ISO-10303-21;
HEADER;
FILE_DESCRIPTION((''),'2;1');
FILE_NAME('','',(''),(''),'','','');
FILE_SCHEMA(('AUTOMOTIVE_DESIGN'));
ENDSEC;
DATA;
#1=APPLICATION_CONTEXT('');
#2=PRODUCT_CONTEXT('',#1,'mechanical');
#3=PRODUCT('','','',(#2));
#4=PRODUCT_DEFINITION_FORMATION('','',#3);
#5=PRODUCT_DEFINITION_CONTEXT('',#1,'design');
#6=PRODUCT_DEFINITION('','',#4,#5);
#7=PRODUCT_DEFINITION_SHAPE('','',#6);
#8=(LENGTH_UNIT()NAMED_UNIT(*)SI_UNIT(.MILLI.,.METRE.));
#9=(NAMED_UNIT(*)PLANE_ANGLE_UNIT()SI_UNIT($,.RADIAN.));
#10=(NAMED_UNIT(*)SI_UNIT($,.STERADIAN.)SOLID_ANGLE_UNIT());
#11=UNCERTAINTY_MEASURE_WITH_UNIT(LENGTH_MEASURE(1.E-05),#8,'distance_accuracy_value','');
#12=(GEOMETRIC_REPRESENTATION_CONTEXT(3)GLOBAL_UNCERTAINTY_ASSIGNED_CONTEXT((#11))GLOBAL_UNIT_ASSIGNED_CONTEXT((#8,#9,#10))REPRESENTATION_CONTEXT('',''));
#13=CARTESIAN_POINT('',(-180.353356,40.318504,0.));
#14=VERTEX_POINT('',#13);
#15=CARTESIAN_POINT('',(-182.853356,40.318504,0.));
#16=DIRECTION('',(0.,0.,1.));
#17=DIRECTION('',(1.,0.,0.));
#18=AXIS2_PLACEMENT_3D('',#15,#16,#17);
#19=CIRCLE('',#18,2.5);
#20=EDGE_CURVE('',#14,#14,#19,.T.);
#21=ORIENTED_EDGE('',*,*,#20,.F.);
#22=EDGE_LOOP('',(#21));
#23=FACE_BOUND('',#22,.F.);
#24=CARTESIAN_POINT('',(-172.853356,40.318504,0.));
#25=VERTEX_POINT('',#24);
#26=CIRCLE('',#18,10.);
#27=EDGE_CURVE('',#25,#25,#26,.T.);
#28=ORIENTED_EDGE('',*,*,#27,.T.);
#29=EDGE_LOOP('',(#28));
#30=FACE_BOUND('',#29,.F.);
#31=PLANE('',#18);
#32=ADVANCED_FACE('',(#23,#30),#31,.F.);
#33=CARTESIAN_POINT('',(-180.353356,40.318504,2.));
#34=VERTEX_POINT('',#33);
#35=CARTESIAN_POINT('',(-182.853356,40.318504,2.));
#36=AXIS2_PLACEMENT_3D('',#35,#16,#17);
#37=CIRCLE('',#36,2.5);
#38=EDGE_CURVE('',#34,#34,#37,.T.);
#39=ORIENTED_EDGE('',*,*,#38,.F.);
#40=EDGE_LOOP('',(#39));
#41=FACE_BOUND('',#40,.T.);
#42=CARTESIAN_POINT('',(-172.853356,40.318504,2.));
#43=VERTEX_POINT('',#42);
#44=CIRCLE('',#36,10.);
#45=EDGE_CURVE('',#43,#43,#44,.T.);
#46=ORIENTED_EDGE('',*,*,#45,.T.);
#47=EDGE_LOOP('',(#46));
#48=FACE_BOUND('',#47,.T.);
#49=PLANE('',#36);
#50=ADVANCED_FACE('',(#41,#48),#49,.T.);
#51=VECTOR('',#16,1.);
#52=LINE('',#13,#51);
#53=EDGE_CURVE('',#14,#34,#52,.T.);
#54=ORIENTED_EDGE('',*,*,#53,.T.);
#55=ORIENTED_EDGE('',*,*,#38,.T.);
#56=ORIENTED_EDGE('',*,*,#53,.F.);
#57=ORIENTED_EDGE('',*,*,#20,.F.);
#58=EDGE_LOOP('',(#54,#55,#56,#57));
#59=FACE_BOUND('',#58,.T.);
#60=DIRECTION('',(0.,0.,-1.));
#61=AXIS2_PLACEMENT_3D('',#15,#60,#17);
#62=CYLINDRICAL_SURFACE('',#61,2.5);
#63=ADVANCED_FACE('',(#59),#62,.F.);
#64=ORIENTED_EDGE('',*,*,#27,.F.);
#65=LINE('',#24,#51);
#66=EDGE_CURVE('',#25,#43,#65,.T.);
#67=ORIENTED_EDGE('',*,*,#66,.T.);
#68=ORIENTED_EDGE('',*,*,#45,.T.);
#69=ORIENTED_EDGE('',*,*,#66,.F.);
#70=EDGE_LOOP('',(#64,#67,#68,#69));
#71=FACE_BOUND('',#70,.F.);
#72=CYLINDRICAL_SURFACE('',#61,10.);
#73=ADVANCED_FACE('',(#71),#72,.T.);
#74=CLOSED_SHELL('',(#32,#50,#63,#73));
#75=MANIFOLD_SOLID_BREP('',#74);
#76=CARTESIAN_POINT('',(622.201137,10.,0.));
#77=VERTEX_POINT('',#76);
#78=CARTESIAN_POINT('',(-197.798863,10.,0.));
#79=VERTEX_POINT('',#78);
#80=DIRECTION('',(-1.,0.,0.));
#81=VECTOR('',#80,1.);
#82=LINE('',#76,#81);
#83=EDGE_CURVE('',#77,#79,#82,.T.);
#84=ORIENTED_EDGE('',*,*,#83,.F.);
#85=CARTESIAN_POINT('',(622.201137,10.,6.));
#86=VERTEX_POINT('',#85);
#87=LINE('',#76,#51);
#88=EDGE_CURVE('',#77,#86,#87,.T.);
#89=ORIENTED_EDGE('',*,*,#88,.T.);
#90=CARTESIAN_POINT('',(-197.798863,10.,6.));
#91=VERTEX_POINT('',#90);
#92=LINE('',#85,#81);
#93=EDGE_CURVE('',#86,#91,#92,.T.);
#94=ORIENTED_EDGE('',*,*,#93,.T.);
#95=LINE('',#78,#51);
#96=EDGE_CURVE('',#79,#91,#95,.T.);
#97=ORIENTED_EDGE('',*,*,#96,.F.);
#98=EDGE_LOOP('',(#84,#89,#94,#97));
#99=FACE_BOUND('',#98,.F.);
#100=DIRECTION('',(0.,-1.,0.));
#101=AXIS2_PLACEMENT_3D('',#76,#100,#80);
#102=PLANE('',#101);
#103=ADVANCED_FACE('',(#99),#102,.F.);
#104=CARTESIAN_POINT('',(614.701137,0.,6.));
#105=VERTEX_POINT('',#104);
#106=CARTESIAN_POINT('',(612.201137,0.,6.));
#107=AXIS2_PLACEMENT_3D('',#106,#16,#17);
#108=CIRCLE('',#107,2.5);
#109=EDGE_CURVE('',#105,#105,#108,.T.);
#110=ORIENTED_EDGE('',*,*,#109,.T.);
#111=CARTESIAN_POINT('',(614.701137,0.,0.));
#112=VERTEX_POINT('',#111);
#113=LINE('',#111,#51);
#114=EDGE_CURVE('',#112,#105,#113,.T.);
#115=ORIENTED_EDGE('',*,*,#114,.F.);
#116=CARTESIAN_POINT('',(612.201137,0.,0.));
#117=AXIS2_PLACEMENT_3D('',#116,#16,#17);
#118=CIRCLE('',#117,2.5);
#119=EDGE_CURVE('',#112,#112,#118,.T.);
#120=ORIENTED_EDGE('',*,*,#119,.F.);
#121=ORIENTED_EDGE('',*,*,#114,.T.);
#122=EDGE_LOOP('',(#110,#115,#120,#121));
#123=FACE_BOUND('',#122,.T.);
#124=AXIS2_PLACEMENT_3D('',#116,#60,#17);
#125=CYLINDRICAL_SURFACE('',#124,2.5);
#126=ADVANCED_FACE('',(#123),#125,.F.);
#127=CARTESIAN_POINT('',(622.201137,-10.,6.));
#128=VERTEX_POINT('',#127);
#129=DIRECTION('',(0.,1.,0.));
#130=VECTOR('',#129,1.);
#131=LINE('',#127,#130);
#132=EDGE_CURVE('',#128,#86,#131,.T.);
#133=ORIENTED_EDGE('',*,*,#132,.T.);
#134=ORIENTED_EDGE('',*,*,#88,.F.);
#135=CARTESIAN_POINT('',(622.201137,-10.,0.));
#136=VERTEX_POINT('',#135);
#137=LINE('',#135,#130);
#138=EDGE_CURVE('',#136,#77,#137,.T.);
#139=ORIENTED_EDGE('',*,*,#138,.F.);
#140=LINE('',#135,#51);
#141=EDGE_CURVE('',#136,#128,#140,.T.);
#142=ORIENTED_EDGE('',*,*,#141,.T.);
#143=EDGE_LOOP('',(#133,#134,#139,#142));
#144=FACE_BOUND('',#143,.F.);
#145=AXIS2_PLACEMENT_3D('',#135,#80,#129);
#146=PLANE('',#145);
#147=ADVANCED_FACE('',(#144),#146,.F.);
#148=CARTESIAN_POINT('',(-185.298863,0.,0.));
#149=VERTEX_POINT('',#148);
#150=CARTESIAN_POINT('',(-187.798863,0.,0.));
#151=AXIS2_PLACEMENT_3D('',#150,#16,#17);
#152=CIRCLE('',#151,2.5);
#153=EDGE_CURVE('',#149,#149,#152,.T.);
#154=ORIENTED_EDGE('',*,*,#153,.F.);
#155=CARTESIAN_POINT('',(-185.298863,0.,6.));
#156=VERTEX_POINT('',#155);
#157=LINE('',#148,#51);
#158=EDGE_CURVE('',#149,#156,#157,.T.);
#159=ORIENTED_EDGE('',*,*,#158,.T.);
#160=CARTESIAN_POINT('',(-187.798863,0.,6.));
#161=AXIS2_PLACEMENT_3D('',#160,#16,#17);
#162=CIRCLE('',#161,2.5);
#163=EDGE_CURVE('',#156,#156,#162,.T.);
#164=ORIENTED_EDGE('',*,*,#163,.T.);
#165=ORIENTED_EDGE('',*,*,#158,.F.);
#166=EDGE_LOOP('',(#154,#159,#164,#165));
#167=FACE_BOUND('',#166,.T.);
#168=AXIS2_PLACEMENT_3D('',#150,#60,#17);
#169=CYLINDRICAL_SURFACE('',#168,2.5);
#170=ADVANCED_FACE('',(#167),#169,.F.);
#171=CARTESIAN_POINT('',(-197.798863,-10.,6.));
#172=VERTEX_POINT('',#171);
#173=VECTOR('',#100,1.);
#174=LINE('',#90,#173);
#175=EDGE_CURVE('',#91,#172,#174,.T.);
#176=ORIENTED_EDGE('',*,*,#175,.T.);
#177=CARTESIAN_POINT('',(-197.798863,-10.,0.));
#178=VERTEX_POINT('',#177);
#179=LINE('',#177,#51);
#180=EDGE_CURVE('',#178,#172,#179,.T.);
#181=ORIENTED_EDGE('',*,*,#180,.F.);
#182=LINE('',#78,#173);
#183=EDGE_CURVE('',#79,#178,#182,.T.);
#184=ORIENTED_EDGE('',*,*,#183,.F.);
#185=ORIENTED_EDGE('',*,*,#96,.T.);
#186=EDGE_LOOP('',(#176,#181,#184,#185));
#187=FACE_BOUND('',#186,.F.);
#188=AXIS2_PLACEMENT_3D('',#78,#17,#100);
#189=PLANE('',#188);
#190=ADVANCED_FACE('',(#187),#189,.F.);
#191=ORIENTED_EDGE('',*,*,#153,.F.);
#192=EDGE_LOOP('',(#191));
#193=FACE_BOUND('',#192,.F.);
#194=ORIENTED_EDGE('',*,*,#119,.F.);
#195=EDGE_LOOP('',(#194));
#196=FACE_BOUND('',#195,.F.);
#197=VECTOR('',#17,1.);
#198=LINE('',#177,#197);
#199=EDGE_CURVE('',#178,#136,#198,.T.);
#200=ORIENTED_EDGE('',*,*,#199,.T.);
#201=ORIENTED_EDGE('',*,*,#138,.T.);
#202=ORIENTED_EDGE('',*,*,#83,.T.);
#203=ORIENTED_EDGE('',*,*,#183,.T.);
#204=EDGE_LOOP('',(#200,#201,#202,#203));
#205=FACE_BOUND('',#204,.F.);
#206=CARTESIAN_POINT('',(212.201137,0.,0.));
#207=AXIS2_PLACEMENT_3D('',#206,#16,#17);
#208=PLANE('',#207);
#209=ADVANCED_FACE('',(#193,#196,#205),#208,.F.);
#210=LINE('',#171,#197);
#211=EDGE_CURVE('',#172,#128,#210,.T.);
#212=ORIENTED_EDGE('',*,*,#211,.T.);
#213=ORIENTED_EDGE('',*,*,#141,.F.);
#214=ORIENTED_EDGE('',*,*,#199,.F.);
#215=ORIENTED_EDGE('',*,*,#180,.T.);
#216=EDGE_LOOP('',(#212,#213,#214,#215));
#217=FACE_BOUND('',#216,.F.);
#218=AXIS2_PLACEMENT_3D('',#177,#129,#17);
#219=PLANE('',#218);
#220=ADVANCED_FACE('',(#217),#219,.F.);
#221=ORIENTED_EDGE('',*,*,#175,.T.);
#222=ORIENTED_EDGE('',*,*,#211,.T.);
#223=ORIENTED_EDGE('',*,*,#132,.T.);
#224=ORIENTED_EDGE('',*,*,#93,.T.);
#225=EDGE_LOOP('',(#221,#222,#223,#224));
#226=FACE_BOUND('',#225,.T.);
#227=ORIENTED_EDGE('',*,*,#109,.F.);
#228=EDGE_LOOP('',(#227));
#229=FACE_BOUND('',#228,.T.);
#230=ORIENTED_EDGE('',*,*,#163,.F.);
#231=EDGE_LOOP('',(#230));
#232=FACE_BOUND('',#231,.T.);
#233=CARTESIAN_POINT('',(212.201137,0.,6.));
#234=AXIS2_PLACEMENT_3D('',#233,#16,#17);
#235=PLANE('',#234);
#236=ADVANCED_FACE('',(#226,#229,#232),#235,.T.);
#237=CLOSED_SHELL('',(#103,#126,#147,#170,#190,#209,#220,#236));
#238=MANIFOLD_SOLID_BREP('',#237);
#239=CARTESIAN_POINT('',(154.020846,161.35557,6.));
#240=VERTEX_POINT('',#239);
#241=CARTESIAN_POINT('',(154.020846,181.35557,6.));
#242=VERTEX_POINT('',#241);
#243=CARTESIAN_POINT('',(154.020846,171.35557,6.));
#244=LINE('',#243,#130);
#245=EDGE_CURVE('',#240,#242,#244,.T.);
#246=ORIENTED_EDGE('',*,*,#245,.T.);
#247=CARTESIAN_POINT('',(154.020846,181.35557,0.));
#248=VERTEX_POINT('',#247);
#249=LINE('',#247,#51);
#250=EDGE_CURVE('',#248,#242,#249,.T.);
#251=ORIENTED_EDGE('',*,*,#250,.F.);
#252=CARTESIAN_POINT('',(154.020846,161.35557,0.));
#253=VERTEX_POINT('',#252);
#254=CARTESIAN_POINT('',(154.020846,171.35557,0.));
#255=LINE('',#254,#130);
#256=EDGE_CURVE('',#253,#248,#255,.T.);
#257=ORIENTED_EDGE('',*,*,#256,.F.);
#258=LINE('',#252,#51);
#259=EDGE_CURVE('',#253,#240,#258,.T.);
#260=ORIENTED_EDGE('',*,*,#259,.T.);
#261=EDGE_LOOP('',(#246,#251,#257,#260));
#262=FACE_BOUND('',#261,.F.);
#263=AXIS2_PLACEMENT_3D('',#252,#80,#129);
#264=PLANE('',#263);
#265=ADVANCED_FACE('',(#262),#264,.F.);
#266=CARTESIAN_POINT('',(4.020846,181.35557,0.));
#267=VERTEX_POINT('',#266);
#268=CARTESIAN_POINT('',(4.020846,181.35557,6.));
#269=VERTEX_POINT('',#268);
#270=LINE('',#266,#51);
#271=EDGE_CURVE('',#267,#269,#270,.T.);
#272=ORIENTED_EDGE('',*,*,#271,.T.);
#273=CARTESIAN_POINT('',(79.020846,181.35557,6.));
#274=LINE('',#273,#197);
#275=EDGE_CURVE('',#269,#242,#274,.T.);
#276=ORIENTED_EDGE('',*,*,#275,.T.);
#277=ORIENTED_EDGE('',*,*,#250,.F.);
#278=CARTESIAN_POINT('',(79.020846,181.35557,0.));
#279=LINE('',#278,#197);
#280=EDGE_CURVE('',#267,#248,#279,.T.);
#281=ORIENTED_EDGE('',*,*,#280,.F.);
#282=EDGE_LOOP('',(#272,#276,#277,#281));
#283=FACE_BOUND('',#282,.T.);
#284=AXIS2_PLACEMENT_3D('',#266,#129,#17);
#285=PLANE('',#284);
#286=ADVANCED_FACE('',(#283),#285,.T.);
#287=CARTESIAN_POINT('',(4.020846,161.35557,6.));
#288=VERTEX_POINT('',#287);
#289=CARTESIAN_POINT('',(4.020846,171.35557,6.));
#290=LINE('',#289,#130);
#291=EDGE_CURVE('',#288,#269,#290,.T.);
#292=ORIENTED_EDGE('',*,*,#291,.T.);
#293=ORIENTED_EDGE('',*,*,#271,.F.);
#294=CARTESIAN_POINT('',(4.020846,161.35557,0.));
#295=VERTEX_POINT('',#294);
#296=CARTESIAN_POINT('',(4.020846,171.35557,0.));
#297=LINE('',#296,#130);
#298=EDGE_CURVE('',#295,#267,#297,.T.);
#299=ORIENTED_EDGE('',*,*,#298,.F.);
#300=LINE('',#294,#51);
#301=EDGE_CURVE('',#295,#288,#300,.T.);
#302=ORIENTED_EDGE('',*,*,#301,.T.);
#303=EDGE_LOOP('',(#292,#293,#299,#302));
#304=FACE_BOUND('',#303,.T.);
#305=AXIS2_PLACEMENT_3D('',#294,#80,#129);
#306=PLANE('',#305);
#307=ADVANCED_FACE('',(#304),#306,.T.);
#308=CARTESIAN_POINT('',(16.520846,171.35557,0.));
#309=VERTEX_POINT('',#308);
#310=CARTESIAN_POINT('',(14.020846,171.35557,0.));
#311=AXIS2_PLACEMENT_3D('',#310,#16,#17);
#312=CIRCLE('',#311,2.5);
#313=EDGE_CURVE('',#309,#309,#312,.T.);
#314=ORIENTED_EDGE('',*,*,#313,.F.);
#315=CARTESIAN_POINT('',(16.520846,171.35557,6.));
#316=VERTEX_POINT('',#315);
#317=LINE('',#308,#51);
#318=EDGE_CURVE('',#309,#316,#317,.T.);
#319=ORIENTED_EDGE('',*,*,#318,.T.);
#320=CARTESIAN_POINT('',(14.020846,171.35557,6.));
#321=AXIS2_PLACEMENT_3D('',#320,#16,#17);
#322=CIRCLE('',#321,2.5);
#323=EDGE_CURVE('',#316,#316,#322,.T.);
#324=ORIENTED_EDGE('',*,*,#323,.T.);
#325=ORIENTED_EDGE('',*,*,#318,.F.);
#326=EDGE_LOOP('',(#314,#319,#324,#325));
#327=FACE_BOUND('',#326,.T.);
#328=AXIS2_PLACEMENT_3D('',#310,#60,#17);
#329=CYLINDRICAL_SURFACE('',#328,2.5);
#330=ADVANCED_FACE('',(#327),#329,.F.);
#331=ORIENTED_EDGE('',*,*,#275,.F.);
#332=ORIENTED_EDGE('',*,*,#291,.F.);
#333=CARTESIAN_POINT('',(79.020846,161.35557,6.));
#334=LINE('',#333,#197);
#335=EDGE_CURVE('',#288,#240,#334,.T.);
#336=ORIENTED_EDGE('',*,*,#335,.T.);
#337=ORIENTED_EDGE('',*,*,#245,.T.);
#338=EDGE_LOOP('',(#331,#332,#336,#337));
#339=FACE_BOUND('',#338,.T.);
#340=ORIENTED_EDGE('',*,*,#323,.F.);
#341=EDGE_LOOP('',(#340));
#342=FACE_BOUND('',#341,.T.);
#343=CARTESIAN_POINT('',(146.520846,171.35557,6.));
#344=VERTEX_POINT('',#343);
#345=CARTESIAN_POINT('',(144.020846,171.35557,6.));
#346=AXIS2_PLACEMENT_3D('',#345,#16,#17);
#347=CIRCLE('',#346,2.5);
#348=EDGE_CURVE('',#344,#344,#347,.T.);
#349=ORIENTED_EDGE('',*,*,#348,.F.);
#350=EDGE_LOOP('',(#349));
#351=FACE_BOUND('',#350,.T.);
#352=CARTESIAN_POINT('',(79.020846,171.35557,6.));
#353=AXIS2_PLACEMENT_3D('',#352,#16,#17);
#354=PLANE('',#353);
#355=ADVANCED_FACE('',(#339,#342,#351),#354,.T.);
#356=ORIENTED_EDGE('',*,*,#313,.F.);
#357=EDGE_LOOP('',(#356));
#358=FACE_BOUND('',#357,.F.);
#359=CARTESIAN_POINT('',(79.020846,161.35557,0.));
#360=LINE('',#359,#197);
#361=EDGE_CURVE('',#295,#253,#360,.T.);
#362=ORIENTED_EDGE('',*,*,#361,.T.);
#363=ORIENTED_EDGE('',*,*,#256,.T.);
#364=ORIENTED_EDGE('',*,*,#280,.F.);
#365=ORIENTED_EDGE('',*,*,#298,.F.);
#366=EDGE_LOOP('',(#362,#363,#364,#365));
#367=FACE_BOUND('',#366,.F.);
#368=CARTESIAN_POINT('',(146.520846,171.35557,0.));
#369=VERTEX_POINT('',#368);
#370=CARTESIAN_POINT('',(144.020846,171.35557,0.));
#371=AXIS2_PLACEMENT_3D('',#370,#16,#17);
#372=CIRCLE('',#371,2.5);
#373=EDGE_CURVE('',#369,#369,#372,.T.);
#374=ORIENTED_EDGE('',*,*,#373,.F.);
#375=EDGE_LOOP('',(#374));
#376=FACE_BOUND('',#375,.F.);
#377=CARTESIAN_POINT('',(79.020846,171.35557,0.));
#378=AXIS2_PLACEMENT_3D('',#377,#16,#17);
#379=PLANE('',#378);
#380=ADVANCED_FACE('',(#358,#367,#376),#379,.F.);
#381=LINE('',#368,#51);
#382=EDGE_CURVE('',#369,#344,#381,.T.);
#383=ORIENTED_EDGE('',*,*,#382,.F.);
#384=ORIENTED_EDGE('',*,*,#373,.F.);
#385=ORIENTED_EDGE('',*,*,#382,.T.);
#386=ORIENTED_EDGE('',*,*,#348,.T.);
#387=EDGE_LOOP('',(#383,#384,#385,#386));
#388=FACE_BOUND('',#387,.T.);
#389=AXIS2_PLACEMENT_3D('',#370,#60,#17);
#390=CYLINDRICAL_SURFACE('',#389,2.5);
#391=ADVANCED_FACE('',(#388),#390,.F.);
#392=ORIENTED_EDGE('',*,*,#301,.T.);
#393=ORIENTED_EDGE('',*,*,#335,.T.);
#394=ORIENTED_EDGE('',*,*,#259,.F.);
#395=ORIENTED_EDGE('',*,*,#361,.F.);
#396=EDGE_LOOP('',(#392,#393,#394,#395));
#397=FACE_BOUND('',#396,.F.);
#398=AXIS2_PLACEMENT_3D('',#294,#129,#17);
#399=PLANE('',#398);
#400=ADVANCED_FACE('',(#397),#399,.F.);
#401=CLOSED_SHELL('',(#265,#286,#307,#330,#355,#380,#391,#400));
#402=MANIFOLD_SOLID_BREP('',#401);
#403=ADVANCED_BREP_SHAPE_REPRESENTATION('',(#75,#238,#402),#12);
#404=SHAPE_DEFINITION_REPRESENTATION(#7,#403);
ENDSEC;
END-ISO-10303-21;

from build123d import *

# Parameters (mm, degrees)
F0_R     = 2.5
F1_DEPTH = 6
F2_R     = 10
F2_R_2   = 2.5
F3_DEPTH = 2
F4_W     = 150
F4_H     = 20
F4_R     = 2.5
F5_DEPTH = 6


with BuildPart() as f1:
    # F0 (on Top) → F1 (new body)
    with BuildSketch(Plane.XY):
        Polygon((622.201137, -10), (622.201137, 0), (622.201137, 10), (-197.798863, 10), (-197.798863, 0), (-197.798863, -10), align=None)
        with Locations((-187.798863, 0)):
            Circle(F0_R, mode=Mode.SUBTRACT)
        with Locations((612.201137, 0)):
            Circle(F0_R, mode=Mode.SUBTRACT)
    extrude(amount=F1_DEPTH)


with BuildPart() as f3:
    # F2 (on Top) → F3 (new body)
    with BuildSketch(Plane.XY):
        with Locations((-182.853356, 40.318504)):
            Circle(F2_R)
        with Locations((-182.853356, 40.318504)):
            Circle(F2_R_2, mode=Mode.SUBTRACT)
    extrude(amount=F3_DEPTH)


with BuildPart() as f5:
    # F4 (on Top) → F5 (new body)
    with BuildSketch(Plane.XY):
        with Locations((79.020846, 171.35557)):
            Rectangle(F4_W, F4_H)
        with Locations((14.020846, 171.35557)):
            Circle(F4_R, mode=Mode.SUBTRACT)
        with Locations((144.020846, 171.35557)):
            Circle(F4_R, mode=Mode.SUBTRACT)
    extrude(amount=F5_DEPTH)


solid = Compound([f1.part, f3.part, f5.part])
